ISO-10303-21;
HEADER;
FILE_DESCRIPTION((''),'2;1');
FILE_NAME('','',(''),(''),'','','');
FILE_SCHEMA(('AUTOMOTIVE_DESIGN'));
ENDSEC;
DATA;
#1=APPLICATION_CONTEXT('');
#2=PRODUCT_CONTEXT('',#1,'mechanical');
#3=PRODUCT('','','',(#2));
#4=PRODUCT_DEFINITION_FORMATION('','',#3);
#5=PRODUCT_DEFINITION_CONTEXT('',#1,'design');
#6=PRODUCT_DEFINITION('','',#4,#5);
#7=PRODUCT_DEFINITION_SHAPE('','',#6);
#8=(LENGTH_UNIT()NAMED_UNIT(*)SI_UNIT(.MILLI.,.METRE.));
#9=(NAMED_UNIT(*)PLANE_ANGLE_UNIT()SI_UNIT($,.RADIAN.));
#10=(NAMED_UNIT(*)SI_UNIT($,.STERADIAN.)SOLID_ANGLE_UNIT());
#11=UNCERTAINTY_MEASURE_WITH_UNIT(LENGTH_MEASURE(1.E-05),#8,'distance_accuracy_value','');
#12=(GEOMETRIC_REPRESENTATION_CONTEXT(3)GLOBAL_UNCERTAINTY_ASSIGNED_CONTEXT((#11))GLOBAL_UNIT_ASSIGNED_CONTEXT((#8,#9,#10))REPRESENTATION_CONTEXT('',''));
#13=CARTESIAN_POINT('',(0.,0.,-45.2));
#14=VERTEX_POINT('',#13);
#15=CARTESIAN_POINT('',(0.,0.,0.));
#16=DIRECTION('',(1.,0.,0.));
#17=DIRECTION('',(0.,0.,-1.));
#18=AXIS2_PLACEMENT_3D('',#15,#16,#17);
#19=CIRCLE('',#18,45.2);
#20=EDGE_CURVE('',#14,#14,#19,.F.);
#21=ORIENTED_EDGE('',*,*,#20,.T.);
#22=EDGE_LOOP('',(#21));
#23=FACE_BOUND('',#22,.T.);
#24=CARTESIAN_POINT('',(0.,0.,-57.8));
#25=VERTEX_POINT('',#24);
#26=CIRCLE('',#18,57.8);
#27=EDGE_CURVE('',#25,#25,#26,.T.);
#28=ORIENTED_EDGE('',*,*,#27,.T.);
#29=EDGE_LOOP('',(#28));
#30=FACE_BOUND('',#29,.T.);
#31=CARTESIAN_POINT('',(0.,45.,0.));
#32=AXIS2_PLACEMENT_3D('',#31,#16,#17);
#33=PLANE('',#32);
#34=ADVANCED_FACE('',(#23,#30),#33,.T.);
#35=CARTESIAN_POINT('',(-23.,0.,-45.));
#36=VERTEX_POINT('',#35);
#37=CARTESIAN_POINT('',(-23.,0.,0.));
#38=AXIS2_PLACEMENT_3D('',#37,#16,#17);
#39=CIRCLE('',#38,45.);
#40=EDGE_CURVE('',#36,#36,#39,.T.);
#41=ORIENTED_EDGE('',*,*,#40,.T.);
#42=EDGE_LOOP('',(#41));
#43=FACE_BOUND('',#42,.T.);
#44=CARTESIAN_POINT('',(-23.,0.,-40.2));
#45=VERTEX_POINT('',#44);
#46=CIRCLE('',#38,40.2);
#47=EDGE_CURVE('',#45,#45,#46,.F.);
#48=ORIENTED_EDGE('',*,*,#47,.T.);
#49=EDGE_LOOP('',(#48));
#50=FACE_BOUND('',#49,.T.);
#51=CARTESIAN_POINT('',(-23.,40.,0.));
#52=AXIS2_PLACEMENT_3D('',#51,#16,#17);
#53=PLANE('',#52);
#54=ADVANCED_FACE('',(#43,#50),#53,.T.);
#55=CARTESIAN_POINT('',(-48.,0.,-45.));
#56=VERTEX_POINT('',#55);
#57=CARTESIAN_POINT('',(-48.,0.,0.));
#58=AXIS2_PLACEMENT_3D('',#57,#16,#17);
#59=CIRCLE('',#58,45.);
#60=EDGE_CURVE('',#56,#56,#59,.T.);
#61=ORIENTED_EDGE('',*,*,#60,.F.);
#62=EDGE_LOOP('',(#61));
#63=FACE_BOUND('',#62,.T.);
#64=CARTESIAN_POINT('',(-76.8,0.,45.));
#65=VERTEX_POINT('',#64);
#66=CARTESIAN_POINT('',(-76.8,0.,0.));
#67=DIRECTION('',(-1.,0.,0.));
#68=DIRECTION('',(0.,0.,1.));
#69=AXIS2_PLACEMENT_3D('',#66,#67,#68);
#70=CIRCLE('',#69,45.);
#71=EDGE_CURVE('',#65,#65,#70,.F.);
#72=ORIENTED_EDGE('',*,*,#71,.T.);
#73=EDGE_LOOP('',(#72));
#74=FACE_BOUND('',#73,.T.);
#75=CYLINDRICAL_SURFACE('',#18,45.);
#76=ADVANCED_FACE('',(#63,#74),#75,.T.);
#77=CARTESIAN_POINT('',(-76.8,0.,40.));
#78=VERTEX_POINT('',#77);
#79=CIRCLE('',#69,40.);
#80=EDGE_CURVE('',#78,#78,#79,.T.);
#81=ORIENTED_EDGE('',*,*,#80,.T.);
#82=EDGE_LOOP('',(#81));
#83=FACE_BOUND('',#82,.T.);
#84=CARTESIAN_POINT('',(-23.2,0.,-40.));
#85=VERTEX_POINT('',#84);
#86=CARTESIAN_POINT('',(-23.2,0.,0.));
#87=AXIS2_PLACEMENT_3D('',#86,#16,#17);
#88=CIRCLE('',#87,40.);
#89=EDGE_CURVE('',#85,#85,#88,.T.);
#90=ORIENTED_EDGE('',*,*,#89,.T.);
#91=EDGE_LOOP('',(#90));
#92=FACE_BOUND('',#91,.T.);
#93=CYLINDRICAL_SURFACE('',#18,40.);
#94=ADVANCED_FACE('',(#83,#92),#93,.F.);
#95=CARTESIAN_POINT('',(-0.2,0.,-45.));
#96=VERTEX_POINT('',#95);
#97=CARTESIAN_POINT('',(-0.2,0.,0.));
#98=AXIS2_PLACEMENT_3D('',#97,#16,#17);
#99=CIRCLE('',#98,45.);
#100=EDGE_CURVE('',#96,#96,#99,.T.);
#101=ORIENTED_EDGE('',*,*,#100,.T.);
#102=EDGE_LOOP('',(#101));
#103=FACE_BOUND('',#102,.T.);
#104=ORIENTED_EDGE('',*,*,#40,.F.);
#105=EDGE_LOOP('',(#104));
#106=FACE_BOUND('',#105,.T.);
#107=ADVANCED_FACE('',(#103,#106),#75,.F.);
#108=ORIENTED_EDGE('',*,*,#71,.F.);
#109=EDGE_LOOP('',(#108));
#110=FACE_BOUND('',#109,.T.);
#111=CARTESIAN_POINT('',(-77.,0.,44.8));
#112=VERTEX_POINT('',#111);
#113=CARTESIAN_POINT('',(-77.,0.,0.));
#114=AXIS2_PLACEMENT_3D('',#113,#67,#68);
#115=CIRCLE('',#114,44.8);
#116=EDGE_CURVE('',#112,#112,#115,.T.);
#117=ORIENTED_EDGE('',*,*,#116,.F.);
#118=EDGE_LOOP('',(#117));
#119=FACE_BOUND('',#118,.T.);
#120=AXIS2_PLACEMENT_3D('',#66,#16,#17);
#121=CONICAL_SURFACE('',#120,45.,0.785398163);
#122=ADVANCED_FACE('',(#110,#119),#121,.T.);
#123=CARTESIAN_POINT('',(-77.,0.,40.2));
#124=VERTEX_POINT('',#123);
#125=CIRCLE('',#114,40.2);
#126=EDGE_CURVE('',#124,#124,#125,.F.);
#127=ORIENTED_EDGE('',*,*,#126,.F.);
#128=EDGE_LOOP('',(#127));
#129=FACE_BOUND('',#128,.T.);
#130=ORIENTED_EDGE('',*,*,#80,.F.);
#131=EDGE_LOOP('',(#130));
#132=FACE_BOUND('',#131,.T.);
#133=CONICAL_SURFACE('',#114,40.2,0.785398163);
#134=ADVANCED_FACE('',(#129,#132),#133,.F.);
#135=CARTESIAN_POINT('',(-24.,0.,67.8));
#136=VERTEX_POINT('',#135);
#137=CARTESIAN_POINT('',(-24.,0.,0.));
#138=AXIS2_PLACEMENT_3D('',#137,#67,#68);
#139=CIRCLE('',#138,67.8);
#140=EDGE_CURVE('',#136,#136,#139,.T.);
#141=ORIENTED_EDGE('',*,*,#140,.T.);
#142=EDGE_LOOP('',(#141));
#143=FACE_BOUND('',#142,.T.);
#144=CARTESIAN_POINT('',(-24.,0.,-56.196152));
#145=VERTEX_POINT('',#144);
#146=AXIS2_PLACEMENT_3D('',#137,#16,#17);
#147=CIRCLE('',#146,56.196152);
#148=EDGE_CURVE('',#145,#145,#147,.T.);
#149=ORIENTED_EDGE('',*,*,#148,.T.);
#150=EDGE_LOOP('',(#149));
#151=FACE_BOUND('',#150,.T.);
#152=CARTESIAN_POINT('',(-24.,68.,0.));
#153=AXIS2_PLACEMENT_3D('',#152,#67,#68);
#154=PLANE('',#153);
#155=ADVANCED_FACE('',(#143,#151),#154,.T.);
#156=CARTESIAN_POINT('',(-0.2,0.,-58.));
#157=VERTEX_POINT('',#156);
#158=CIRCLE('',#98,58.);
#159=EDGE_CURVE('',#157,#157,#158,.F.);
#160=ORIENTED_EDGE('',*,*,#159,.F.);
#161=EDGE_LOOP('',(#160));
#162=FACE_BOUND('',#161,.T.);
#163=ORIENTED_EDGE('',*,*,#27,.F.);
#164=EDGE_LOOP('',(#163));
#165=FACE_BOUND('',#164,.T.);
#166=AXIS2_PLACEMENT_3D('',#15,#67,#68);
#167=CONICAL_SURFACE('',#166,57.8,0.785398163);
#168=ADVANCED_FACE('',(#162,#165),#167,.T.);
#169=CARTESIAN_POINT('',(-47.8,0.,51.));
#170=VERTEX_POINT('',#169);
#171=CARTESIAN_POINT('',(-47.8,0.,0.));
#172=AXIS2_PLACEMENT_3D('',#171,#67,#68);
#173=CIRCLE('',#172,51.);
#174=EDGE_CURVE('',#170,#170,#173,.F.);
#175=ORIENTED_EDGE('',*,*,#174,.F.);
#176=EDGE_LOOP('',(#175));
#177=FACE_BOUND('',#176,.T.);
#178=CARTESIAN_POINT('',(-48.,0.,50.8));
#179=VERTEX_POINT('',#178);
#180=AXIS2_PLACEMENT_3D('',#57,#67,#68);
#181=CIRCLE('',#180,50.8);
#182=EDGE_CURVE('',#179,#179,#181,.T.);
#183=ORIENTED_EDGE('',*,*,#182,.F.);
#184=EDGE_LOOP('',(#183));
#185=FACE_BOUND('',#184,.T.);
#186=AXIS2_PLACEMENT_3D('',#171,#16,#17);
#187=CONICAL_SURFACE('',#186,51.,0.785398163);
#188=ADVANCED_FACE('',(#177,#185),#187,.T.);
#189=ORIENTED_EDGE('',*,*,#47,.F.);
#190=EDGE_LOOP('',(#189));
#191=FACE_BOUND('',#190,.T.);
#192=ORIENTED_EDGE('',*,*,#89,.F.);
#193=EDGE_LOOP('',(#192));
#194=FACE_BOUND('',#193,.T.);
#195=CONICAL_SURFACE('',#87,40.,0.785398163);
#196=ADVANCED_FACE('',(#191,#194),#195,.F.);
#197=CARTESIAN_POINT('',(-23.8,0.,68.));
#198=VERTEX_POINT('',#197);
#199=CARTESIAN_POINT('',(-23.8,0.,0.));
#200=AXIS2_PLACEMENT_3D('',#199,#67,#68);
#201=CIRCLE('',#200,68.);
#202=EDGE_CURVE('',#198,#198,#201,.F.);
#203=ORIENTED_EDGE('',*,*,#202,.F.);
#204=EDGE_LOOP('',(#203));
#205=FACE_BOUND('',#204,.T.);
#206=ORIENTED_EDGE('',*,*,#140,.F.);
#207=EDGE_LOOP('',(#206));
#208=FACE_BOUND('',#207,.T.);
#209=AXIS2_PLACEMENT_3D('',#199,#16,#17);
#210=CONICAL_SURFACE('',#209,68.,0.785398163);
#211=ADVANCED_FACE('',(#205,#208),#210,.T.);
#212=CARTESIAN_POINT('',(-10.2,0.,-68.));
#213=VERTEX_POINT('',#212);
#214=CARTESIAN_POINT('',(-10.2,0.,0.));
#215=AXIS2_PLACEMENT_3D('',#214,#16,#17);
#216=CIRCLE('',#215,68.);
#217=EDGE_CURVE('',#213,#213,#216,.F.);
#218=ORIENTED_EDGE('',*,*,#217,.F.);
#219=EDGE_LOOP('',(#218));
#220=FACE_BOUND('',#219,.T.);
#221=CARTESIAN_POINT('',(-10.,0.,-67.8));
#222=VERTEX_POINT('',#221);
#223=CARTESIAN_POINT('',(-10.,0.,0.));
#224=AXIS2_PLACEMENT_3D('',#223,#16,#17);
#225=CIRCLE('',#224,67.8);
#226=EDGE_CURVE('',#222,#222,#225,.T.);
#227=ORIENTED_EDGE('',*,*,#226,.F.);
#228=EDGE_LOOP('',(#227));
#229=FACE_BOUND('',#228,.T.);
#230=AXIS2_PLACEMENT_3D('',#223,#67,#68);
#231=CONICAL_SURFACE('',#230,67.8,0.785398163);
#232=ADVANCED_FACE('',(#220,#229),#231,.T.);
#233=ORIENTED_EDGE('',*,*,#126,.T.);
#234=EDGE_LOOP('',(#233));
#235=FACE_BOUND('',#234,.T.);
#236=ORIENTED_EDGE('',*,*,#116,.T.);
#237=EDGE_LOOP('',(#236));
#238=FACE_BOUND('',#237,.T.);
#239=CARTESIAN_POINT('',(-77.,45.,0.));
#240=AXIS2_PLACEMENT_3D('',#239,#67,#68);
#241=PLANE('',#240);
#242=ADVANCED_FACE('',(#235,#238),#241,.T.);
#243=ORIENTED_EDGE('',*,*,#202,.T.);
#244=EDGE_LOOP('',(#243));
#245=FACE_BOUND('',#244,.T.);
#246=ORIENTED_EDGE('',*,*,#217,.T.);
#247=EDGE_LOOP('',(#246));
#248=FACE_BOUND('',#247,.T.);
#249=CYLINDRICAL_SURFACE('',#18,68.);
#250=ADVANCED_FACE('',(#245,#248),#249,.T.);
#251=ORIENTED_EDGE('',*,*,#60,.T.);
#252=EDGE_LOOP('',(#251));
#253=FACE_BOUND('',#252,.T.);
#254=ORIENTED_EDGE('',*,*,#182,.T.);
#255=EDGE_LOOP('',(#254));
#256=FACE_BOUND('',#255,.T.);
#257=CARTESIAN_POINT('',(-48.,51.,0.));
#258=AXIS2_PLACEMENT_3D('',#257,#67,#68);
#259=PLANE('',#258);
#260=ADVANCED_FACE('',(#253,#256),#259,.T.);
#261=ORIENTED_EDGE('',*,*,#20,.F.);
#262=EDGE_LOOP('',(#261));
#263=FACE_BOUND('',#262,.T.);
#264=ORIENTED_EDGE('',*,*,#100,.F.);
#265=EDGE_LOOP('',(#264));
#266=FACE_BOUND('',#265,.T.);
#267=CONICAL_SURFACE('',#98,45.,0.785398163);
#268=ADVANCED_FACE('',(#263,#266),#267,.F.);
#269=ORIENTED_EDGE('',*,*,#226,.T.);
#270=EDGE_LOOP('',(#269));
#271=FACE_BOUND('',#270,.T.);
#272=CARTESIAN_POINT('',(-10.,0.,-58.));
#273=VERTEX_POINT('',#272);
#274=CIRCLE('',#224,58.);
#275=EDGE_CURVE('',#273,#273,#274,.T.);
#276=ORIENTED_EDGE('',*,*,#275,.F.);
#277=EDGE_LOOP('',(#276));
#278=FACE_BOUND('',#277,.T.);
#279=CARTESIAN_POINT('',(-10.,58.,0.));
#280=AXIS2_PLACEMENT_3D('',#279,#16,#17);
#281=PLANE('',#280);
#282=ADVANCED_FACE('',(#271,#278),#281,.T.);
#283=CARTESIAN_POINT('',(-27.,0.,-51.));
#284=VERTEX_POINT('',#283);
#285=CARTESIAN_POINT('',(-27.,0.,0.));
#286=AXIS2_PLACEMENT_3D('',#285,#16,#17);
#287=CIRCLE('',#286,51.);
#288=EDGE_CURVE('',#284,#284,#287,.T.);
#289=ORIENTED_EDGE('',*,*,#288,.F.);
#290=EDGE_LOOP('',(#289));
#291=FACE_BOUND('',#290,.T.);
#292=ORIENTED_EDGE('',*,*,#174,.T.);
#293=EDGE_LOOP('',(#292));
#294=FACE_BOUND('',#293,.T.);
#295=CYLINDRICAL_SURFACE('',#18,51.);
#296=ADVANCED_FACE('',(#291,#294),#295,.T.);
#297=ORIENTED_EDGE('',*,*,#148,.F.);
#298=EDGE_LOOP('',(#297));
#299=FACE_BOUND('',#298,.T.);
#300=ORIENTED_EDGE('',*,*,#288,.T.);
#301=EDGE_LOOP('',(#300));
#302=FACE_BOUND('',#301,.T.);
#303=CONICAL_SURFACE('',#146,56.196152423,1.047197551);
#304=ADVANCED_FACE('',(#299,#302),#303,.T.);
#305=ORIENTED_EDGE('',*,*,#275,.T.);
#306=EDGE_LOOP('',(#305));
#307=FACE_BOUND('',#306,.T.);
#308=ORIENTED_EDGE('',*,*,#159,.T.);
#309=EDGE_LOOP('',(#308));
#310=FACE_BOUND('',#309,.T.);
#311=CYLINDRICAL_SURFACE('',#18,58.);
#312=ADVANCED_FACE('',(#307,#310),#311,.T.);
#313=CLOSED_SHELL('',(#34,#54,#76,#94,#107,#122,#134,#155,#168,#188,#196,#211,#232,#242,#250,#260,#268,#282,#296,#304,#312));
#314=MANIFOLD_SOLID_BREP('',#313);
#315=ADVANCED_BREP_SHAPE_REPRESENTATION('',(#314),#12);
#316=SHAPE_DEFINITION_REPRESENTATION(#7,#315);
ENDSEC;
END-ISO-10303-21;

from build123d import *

# Parameters (mm, degrees)
CHANFREIN1_SIZE = 0.2
CHANFREIN2_SIZE = 0.2


with BuildPart() as part:
    # Esquisse1 → Révolution1 (revolve)
    with BuildSketch(Plane.XY, mode=Mode.PRIVATE) as r_volution1_sk:
        Polygon((0, 45), (0, 58), (-10, 58), (-10, 68), (-24, 68), (-24, 56.196152423), (-27, 51), (-48, 51), (-48, 45), (-77, 45), (-77, 40), (-23, 40), (-23, 45), align=None)
    revolve(r_volution1_sk.sketch.rotate(Axis((0, 0, 0), (-1, 0, 0)), 90), axis=Axis((0, 0, 0), (-1, 0, 0)))  # turned: the seam where the file's is

    # Chanfrein1
    chanfrein1_edges = [part.edges().sort_by_distance(p)[0] for p in [
        (-48, 0, 51),
        (-77, 0, 45),
        (-77, 0, 40),
        (0, 0, 45),
        (0, 0, 58),
        (-10, 0, 68),
        (-24, 0, 68),
    ]]
    chamfer(chanfrein1_edges, length=CHANFREIN1_SIZE)

    # Chanfrein2
    chanfrein2_edges = [part.edges().sort_by_distance(p)[0] for p in [
        (-23, 0, 40),
    ]]
    chamfer(chanfrein2_edges, length=CHANFREIN2_SIZE)


solid = part.part
